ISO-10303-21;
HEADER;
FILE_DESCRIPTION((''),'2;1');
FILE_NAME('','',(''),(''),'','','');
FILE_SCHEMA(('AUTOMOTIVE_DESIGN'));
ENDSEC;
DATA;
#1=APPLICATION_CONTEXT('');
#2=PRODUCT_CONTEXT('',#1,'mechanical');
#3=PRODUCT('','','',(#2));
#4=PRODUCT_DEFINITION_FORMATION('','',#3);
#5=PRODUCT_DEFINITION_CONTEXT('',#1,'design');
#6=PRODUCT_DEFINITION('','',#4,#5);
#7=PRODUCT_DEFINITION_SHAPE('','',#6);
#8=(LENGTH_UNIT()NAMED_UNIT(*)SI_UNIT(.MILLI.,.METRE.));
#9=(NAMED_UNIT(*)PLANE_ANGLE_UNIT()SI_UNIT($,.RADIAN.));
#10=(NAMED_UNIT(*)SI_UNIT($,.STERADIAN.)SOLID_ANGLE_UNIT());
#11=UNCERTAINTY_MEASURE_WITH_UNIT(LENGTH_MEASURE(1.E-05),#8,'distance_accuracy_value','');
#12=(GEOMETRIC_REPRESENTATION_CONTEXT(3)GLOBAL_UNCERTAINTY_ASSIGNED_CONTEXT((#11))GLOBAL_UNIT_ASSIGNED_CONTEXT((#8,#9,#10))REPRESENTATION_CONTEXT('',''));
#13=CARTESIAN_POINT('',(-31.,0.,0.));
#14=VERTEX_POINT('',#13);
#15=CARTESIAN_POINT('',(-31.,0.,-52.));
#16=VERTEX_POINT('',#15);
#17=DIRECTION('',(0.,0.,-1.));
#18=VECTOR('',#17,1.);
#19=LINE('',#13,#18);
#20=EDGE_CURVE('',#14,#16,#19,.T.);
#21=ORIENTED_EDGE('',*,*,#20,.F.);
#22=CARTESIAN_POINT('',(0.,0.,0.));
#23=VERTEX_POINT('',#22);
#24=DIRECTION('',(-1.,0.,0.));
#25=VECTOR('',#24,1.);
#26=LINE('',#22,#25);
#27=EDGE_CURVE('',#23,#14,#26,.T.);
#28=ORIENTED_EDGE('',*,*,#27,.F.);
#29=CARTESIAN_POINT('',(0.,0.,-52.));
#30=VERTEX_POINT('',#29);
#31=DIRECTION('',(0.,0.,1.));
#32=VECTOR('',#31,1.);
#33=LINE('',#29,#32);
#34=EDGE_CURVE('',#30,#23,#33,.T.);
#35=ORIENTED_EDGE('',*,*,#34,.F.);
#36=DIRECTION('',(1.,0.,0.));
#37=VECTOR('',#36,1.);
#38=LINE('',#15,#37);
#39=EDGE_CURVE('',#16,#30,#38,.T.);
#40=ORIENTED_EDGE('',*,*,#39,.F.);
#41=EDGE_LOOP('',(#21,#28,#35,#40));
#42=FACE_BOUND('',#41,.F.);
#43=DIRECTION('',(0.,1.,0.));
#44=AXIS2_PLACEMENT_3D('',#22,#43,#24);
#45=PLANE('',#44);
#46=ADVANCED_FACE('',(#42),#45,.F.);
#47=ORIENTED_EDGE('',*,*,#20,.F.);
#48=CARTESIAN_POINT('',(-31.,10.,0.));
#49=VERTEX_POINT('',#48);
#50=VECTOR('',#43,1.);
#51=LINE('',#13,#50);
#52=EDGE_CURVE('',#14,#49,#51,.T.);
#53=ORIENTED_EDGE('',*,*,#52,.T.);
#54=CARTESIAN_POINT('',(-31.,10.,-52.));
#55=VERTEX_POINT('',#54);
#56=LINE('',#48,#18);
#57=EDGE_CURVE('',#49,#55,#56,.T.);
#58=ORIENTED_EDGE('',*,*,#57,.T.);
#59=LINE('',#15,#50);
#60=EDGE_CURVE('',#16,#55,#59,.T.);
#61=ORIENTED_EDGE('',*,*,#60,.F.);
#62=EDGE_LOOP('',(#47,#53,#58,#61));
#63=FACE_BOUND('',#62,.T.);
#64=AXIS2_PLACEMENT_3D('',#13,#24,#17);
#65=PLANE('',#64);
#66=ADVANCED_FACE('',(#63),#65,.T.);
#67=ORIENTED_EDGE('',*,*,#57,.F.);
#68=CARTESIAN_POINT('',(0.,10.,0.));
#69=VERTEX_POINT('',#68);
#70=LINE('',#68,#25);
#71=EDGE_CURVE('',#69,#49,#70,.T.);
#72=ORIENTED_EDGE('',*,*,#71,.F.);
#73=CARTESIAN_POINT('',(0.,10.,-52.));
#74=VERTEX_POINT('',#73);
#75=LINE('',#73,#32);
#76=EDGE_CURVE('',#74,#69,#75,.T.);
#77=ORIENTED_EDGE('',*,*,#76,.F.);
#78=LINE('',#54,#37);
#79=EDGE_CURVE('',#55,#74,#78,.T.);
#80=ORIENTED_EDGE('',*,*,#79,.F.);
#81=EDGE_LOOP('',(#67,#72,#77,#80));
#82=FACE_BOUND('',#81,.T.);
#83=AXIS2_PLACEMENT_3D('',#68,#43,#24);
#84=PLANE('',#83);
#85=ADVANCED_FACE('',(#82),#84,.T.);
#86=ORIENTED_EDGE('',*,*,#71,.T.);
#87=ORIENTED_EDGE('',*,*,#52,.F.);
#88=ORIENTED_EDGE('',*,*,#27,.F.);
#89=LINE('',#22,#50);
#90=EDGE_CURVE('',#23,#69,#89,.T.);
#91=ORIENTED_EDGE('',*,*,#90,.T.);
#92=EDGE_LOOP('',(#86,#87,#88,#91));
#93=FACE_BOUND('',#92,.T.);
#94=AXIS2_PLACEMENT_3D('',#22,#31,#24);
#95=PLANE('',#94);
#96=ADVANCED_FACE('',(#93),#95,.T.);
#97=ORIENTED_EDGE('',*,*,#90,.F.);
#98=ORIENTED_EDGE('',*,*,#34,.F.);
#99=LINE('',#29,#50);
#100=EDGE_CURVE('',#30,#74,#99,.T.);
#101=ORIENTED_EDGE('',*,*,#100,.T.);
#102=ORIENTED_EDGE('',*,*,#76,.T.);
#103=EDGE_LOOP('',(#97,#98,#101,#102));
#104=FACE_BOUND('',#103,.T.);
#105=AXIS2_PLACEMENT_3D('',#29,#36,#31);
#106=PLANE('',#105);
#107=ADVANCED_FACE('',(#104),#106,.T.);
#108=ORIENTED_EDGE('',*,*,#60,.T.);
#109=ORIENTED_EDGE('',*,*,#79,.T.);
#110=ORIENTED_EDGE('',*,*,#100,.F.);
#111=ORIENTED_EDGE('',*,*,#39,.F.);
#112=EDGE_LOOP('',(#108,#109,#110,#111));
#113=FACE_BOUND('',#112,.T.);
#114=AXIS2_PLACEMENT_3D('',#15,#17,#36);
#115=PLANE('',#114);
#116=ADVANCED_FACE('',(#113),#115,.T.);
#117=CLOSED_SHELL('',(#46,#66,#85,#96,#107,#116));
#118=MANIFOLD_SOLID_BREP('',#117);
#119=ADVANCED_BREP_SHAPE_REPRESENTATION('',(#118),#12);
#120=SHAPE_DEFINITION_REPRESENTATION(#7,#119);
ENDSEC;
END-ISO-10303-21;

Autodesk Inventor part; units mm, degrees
ref_plane "YZ Plane" through (0, 0, 0) normal (1, 0, 0) x (0, 1, 0)
ref_plane "XZ Plane" through (0, 0, 0) normal (0, 1, 0) x (-1, 0, 0)
ref_plane "XY Plane" through (0, 0, 0) normal (0, 0, 1) x (1, 0, 0)
sketch "Sketch1" plane through (0, 0, 0) normal (0, 1, 0) x (-1, 0, 0)
  line L0 (0, 0) -> (31, 0)
  line L1 (31, 0) -> (31, -52)
  line L2 (31, -52) -> (0, -52)
  line L3 (0, -52) -> (0, 0)
  dimension "d0" = 52
  dimension "d1" = 31
extrude "Extrusion1" add sketch "Sketch1" along normal blind 10
properties part number "Battery"
